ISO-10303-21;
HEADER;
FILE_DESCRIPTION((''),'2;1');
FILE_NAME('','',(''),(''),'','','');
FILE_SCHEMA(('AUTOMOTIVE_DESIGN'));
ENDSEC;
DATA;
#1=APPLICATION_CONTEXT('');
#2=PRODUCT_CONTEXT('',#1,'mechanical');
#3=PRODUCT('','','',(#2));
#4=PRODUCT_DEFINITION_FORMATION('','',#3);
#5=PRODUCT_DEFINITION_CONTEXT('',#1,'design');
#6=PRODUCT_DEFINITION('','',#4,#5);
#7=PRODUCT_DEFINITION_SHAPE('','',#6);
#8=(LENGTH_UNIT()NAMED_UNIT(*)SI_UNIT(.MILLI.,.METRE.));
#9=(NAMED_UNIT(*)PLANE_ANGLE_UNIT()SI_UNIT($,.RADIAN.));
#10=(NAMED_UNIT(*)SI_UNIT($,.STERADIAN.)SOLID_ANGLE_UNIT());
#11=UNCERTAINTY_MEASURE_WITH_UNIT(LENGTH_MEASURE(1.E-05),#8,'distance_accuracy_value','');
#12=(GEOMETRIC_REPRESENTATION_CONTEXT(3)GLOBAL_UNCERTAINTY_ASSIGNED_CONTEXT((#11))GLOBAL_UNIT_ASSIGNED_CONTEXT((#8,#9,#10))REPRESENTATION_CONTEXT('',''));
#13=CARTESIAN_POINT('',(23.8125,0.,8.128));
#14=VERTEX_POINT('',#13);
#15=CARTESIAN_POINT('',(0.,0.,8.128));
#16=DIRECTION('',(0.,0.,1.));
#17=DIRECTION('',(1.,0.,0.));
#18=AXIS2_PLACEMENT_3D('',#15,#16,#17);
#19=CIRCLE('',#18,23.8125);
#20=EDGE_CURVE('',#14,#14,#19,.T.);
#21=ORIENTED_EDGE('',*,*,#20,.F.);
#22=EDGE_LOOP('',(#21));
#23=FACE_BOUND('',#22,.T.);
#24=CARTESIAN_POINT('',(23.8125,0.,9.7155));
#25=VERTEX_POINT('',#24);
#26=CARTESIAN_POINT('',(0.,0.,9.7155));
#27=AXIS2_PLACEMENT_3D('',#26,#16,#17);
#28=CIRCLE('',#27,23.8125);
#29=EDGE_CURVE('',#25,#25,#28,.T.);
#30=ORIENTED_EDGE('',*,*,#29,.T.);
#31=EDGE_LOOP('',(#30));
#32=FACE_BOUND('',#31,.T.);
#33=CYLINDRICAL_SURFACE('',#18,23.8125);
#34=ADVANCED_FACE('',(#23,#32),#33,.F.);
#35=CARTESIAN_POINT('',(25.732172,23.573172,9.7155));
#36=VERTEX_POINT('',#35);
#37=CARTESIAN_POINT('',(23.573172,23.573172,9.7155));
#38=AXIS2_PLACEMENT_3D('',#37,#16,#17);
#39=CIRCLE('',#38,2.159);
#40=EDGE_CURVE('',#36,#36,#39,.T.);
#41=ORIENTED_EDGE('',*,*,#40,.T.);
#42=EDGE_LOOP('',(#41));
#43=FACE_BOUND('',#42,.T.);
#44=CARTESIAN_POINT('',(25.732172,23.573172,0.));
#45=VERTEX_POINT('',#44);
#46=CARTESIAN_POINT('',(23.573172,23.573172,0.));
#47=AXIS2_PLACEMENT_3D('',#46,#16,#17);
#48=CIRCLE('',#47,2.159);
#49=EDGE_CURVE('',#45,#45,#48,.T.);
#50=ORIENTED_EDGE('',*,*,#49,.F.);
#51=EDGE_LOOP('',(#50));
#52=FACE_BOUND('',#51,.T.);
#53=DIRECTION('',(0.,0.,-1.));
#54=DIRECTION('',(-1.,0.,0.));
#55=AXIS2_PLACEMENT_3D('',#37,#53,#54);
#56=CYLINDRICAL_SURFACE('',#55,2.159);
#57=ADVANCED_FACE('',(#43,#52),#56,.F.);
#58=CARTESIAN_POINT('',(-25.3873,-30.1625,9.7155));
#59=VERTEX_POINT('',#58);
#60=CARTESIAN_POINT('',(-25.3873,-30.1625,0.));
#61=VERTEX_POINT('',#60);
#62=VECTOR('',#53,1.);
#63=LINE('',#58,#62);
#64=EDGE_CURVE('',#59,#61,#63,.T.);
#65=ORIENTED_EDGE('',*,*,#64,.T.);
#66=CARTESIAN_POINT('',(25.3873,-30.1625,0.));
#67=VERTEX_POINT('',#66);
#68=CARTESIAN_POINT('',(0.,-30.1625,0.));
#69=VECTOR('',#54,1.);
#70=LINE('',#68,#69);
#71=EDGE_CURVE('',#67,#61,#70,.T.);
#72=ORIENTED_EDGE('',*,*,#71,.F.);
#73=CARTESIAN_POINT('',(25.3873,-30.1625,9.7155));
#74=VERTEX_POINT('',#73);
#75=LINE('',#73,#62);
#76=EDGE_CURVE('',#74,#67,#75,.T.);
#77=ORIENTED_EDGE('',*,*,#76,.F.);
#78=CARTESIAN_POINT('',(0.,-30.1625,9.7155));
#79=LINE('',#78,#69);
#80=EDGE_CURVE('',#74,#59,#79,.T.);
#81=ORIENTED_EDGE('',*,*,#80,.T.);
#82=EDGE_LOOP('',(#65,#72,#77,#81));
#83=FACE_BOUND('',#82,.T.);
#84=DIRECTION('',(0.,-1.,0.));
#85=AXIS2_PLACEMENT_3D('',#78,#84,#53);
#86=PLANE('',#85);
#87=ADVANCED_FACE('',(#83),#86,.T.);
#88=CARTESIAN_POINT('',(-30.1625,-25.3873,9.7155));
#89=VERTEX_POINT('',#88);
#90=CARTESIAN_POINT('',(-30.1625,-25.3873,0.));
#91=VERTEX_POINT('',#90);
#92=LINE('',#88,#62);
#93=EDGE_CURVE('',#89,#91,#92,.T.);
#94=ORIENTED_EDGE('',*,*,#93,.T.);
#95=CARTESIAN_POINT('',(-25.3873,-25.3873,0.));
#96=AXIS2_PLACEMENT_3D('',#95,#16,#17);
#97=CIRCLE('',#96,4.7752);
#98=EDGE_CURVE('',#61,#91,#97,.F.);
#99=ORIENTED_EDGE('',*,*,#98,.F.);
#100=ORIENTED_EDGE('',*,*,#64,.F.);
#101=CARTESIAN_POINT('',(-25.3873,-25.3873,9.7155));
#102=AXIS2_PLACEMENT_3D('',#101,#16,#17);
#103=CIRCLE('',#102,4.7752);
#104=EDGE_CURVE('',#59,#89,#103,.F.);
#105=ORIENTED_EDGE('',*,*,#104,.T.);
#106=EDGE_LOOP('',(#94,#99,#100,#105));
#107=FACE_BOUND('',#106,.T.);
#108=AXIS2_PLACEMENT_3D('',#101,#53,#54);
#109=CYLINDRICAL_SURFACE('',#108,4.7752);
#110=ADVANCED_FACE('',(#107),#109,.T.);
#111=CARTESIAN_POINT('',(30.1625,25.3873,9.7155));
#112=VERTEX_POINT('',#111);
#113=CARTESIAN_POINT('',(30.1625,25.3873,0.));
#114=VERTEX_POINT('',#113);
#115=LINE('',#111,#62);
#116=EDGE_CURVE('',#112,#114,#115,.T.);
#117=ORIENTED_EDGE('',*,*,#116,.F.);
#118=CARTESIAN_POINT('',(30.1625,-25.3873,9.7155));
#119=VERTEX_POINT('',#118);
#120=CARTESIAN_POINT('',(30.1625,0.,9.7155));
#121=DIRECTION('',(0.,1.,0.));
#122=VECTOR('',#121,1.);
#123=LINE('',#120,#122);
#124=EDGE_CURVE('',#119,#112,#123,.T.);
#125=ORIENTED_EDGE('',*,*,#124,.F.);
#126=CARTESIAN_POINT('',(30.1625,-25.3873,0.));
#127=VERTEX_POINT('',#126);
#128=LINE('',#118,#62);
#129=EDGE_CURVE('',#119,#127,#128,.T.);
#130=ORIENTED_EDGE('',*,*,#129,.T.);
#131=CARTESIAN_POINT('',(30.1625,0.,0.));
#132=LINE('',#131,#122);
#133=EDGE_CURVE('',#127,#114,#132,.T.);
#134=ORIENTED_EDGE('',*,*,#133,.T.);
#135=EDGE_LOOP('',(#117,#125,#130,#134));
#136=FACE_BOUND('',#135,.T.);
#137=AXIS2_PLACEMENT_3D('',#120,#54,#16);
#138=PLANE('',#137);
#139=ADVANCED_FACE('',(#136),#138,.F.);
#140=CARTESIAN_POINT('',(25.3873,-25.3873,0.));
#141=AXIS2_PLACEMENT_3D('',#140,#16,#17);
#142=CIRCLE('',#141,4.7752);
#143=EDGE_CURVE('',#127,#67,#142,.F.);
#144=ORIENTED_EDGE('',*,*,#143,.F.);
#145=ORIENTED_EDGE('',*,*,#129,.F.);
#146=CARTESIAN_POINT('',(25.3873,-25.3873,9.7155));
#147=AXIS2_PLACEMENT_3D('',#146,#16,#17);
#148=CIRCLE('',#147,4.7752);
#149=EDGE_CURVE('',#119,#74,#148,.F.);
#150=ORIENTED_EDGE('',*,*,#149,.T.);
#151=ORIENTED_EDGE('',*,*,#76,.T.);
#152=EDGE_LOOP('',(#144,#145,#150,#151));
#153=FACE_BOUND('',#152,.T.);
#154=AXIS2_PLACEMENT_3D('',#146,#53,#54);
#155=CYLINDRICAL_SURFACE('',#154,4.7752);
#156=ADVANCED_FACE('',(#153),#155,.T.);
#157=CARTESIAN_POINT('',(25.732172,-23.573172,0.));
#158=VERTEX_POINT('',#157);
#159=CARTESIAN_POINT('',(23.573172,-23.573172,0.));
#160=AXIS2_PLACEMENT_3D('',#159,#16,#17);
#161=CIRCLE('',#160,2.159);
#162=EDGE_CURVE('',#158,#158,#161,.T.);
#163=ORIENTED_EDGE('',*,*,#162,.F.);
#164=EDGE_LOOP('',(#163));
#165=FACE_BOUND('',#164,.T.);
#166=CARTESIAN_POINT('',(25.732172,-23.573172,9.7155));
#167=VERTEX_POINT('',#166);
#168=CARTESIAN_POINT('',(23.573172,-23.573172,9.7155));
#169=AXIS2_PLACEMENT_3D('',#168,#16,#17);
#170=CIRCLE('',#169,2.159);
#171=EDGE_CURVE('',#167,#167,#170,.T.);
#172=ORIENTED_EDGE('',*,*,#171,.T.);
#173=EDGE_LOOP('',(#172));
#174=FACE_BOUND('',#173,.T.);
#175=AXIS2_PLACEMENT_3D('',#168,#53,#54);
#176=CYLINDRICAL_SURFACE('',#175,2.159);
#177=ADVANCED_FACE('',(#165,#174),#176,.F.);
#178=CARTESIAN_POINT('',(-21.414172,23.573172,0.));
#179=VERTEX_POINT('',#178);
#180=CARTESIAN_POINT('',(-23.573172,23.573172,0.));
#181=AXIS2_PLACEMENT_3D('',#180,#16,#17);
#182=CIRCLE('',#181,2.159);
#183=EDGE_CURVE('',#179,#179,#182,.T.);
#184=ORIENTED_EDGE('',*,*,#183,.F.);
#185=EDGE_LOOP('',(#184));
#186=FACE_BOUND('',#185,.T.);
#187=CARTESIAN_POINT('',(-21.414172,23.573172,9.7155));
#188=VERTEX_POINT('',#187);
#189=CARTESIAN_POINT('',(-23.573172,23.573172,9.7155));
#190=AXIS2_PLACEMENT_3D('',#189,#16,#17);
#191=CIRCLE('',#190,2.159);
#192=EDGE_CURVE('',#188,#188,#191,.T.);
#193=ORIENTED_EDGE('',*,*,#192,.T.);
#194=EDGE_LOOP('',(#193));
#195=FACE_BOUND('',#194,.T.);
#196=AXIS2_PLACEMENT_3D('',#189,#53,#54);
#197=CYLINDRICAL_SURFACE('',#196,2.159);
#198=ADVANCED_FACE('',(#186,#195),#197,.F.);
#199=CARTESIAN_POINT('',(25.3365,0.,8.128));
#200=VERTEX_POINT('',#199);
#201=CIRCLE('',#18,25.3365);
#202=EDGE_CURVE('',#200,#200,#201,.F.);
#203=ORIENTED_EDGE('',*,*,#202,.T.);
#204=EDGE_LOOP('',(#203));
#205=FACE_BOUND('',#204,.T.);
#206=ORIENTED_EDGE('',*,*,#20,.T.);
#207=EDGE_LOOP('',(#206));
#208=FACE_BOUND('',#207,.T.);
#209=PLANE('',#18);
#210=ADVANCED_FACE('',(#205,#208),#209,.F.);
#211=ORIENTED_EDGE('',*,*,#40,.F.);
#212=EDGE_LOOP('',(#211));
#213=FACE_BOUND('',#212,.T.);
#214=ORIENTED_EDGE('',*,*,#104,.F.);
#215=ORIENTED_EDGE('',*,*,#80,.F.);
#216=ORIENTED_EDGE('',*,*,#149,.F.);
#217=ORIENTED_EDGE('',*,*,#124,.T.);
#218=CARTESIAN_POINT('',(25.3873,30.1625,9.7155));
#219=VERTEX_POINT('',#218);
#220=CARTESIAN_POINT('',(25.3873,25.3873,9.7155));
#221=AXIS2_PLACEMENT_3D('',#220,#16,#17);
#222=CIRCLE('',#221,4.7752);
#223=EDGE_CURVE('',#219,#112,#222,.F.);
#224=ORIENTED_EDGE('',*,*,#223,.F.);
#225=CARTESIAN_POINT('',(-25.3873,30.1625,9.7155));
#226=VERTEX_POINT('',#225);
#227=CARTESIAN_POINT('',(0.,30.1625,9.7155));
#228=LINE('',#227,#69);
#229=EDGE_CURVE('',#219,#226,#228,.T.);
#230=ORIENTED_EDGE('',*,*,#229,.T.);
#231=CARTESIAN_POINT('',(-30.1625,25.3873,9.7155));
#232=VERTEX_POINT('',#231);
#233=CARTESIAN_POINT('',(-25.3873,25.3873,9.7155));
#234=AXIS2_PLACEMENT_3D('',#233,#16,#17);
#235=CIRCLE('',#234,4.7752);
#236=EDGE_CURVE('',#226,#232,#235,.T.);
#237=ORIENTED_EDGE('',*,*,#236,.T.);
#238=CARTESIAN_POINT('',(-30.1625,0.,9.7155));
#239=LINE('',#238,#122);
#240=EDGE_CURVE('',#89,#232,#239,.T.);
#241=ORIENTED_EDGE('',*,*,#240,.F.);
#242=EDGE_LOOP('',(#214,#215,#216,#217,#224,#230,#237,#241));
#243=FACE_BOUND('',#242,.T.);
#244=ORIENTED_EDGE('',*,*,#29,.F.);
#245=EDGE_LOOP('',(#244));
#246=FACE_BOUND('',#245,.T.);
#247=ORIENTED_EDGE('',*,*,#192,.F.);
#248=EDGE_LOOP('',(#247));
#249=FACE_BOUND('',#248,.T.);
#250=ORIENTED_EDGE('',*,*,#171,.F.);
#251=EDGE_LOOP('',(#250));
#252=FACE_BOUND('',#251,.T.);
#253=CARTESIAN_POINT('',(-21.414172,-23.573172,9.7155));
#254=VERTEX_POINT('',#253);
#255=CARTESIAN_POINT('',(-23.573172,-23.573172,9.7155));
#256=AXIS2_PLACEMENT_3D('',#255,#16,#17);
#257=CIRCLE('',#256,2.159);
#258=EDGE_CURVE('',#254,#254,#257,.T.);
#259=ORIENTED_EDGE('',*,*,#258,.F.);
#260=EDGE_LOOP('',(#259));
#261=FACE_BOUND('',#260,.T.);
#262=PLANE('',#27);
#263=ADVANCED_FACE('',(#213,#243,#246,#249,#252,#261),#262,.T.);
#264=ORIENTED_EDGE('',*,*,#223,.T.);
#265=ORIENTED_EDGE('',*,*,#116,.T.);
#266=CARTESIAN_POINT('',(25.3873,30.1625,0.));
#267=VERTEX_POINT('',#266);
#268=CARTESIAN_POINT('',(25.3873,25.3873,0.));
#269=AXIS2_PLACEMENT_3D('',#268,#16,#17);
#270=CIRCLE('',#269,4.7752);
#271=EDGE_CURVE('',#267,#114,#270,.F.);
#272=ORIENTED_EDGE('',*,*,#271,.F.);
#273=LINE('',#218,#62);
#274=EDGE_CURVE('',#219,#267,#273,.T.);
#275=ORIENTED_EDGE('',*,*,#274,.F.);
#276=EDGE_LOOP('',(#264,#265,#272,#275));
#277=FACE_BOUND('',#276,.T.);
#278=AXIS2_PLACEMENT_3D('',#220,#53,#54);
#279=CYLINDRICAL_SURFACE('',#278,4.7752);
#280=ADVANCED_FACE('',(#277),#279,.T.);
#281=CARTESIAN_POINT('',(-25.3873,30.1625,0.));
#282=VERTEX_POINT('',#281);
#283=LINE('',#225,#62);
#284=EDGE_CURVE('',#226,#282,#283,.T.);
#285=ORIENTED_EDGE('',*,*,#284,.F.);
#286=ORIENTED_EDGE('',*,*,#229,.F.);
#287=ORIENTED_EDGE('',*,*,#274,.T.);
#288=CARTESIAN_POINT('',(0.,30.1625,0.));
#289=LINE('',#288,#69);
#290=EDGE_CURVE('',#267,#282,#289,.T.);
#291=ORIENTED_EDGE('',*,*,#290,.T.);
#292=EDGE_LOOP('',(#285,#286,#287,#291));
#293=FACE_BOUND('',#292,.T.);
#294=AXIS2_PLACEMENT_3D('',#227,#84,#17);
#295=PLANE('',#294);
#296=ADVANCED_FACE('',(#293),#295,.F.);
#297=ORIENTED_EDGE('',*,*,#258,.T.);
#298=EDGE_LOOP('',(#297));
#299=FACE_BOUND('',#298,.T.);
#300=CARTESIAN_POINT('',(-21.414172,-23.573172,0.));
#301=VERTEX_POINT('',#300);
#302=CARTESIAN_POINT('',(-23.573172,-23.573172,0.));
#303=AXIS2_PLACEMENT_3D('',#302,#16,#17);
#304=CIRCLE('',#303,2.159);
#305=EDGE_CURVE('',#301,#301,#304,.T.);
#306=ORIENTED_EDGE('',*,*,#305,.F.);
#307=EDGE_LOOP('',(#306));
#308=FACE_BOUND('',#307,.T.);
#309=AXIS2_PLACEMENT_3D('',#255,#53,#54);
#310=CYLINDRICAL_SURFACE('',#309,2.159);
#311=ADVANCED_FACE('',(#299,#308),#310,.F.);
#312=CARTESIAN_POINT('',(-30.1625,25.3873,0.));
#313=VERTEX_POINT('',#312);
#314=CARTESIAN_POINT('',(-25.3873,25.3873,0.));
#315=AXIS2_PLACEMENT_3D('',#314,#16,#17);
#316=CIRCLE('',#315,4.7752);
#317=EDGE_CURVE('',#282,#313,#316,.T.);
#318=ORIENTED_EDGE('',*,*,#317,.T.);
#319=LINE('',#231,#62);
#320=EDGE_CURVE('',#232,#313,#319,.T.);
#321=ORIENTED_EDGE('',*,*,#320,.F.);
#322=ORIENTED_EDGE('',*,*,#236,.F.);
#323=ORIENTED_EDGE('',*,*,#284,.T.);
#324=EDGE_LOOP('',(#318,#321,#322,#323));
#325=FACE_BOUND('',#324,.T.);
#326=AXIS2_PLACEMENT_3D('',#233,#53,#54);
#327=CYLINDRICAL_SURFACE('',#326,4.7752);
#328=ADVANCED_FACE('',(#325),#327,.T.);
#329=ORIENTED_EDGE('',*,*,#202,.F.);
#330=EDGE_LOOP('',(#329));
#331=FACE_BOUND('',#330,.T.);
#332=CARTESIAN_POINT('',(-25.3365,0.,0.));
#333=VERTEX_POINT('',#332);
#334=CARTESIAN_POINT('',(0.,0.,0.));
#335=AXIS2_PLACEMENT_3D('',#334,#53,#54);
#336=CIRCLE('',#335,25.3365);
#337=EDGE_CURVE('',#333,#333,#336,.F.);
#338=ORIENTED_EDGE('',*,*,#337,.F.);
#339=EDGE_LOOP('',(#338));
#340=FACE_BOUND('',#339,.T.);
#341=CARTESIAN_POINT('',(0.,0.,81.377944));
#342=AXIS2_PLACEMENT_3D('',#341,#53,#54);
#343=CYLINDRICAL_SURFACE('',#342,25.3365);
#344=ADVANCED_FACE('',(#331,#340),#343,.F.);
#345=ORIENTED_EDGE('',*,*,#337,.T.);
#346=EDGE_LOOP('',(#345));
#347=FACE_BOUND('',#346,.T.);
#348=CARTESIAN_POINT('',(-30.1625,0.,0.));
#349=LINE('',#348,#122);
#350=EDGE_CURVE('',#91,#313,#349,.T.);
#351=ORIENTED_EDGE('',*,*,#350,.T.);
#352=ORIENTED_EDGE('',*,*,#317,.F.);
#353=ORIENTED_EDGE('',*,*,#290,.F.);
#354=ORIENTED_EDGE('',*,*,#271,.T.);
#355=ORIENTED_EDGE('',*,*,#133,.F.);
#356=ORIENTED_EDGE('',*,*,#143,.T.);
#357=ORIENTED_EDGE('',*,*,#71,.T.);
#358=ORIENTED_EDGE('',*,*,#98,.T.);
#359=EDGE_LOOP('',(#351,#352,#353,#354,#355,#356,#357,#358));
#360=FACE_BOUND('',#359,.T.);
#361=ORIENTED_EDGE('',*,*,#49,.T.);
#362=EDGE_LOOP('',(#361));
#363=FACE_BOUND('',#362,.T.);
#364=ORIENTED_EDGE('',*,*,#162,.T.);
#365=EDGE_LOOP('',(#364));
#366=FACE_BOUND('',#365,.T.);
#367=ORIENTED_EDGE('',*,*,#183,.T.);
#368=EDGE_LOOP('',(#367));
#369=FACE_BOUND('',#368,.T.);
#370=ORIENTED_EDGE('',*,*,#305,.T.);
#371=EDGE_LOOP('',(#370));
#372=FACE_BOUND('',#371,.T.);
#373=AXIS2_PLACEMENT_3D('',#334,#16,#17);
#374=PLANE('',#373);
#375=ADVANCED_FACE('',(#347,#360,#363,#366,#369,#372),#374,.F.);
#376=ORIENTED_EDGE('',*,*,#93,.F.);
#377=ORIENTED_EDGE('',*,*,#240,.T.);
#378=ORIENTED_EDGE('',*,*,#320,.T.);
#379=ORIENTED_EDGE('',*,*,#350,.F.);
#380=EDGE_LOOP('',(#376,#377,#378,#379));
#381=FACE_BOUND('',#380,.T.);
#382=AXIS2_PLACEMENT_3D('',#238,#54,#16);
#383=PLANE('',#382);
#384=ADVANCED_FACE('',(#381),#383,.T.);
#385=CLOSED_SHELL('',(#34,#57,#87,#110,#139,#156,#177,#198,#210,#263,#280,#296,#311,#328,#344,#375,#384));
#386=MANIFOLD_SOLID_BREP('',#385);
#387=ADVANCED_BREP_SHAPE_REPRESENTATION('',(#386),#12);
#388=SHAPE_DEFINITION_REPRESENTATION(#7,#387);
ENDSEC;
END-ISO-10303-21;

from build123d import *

# Parameters (mm, degrees)
SKETCH1_R               = 2.159
SKETCH1_R_2             = 28.5115
BOSS_EXTRUDE1_DEPTH     = 9.7155
SKETCH1_4_R             = 28.5115
SKETCH1_4_R_2           = 23.8125
FLUSH_BEZEL_DEPTH       = 9.7155
SKETCH1_5_R             = 28.5115
SKETCH1_5_R_2           = 23.8125
BOSS_EXTRUDE4_DEPTH     = 6.35
SKETCH2_R               = 25.3365
CUT_EXTRUDE1_DEPTH      = 7.35
CUT_EXTRUDE1_DEPTH_BACK = 9.7155
SKETCH3_R               = 28.5115
CUT_EXTRUDE2_DEPTH      = 7.35
SKETCH4_R               = 25.3365
SKETCH4_R_2             = 23.8125
BOSS_EXTRUDE7_DEPTH     = 1.5875


with BuildPart() as part:
    # Sketch1 → Boss-Extrude1 (new body)
    with BuildSketch(Plane.XY):
        with BuildLine():
            ThreePointArc((-24.49722379, -28.024879905), (-26.788104009, -26.788104009), (-28.024879905, -24.49722379))
            Line((-28.024879905, -24.49722379), (-30.1625, -14.199031657))
            Line((-30.1625, -14.199031657), (-30.1625, 14.199031657))
            Line((-30.1625, 14.199031657), (-28.024879905, 24.49722379))
            ThreePointArc((-28.024879905, 24.49722379), (-26.788104009, 26.788104009), (-24.49722379, 28.024879905))
            Line((-24.49722379, 28.024879905), (-14.199031657, 30.1625))
            Line((-14.199031657, 30.1625), (14.199031657, 30.1625))
            Line((14.199031657, 30.1625), (24.441349319, 28.268787691))
            ThreePointArc((24.441349319, 28.268787691), (26.949748619, 26.949748619), (28.268787691, 24.441349319))
            Line((28.268787691, 24.441349319), (30.1625, 14.199031657))
            Line((30.1625, 14.199031657), (30.1625, -14.199031657))
            Line((30.1625, -14.199031657), (28.024879905, -24.49722379))
            ThreePointArc((28.024879905, -24.49722379), (26.788104009, -26.788104009), (24.49722379, -28.024879905))
            Line((24.49722379, -28.024879905), (14.199031657, -30.1625))
            Line((14.199031657, -30.1625), (-14.199031657, -30.1625))
            Line((-14.199031657, -30.1625), (-24.49722379, -28.024879905))
        make_face()
        with Locations((-23.573172318, -23.573172318)):
            Circle(SKETCH1_R, mode=Mode.SUBTRACT)
        with Locations((23.573172318, -23.573172318)):
            Circle(SKETCH1_R, mode=Mode.SUBTRACT)
        with Locations((23.573172318, 23.573172318)):
            Circle(SKETCH1_R, mode=Mode.SUBTRACT)
        with Locations((-23.573172318, 23.573172318)):
            Circle(SKETCH1_R, mode=Mode.SUBTRACT)
        Circle(SKETCH1_R_2, mode=Mode.SUBTRACT)
        with BuildLine():
            Line((28.268787691, 24.441349319), (30.1625, 14.199031657))
            Line((30.1625, 14.199031657), (30.1625, 25.3873))
            ThreePointArc((30.1625, 25.3873), (28.763876302, 28.763876302), (25.3873, 30.1625))
            Line((25.3873, 30.1625), (14.199031657, 30.1625))
            Line((14.199031657, 30.1625), (24.441349319, 28.268787691))
            ThreePointArc((24.441349319, 28.268787691), (26.949748619, 26.949748619), (28.268787691, 24.441349319))
        make_face()
        with BuildLine():
            Line((-30.1625, 25.3873), (-30.1625, 14.199031657))
            Line((-30.1625, 14.199031657), (-28.024879905, 24.49722379))
            ThreePointArc((-28.024879905, 24.49722379), (-26.788104009, 26.788104009), (-24.49722379, 28.024879905))
            Line((-24.49722379, 28.024879905), (-14.199031657, 30.1625))
            Line((-14.199031657, 30.1625), (-25.3873, 30.1625))
            ThreePointArc((-25.3873, 30.1625), (-28.763876302, 28.763876302), (-30.1625, 25.3873))
        make_face()
        with BuildLine():
            Line((-25.3873, -30.1625), (-14.199031657, -30.1625))
            Line((-14.199031657, -30.1625), (-24.49722379, -28.024879905))
            ThreePointArc((-24.49722379, -28.024879905), (-26.788104009, -26.788104009), (-28.024879905, -24.49722379))
            Line((-28.024879905, -24.49722379), (-30.1625, -14.199031657))
            Line((-30.1625, -14.199031657), (-30.1625, -25.3873))
            ThreePointArc((-30.1625, -25.3873), (-28.763876302, -28.763876302), (-25.3873, -30.1625))
        make_face()
        with BuildLine():
            Line((24.49722379, -28.024879905), (14.199031657, -30.1625))
            Line((14.199031657, -30.1625), (25.3873, -30.1625))
            ThreePointArc((25.3873, -30.1625), (28.763876302, -28.763876302), (30.1625, -25.3873))
            Line((30.1625, -25.3873), (30.1625, -14.199031657))
            Line((30.1625, -14.199031657), (28.024879905, -24.49722379))
            ThreePointArc((28.024879905, -24.49722379), (26.788104009, -26.788104009), (24.49722379, -28.024879905))
        make_face()
    extrude(amount=BOSS_EXTRUDE1_DEPTH)

    # Sketch1_4 → Flush Bezel (add)
    with BuildSketch(Plane.XY):
        Circle(SKETCH1_4_R)
        Circle(SKETCH1_4_R_2, mode=Mode.SUBTRACT)
    extrude(amount=FLUSH_BEZEL_DEPTH)

    # Sketch1_5 → Boss-Extrude4 (add)
    with BuildSketch(Plane.XY):
        Circle(SKETCH1_5_R)
        Circle(SKETCH1_5_R_2, mode=Mode.SUBTRACT)
    extrude(amount=-BOSS_EXTRUDE4_DEPTH)

    # Sketch2 → Cut-Extrude1 (cut, two sides)
    with BuildSketch(Plane(origin=(0, 0, 0), x_dir=(-1, 0, 0), z_dir=(0, 0, -1))) as cut_extrude1_sk:
        Circle(SKETCH2_R)
    extrude(amount=CUT_EXTRUDE1_DEPTH, mode=Mode.SUBTRACT)
    extrude(cut_extrude1_sk.sketch, amount=-CUT_EXTRUDE1_DEPTH_BACK, mode=Mode.SUBTRACT)

    # Sketch3 → Cut-Extrude2 (cut, through all)
    with BuildSketch(Plane(origin=(0, 0, 0), x_dir=(-1, 0, 0), z_dir=(0, 0, -1))):
        Circle(SKETCH3_R)
    extrude(amount=CUT_EXTRUDE2_DEPTH, mode=Mode.SUBTRACT)

    # Sketch4 → Boss-Extrude7 (add)
    with BuildSketch(Plane.XY.offset(9.7155)):
        Circle(SKETCH4_R)
        Circle(SKETCH4_R_2, mode=Mode.SUBTRACT)
    extrude(amount=-BOSS_EXTRUDE7_DEPTH)


solid = part.part
